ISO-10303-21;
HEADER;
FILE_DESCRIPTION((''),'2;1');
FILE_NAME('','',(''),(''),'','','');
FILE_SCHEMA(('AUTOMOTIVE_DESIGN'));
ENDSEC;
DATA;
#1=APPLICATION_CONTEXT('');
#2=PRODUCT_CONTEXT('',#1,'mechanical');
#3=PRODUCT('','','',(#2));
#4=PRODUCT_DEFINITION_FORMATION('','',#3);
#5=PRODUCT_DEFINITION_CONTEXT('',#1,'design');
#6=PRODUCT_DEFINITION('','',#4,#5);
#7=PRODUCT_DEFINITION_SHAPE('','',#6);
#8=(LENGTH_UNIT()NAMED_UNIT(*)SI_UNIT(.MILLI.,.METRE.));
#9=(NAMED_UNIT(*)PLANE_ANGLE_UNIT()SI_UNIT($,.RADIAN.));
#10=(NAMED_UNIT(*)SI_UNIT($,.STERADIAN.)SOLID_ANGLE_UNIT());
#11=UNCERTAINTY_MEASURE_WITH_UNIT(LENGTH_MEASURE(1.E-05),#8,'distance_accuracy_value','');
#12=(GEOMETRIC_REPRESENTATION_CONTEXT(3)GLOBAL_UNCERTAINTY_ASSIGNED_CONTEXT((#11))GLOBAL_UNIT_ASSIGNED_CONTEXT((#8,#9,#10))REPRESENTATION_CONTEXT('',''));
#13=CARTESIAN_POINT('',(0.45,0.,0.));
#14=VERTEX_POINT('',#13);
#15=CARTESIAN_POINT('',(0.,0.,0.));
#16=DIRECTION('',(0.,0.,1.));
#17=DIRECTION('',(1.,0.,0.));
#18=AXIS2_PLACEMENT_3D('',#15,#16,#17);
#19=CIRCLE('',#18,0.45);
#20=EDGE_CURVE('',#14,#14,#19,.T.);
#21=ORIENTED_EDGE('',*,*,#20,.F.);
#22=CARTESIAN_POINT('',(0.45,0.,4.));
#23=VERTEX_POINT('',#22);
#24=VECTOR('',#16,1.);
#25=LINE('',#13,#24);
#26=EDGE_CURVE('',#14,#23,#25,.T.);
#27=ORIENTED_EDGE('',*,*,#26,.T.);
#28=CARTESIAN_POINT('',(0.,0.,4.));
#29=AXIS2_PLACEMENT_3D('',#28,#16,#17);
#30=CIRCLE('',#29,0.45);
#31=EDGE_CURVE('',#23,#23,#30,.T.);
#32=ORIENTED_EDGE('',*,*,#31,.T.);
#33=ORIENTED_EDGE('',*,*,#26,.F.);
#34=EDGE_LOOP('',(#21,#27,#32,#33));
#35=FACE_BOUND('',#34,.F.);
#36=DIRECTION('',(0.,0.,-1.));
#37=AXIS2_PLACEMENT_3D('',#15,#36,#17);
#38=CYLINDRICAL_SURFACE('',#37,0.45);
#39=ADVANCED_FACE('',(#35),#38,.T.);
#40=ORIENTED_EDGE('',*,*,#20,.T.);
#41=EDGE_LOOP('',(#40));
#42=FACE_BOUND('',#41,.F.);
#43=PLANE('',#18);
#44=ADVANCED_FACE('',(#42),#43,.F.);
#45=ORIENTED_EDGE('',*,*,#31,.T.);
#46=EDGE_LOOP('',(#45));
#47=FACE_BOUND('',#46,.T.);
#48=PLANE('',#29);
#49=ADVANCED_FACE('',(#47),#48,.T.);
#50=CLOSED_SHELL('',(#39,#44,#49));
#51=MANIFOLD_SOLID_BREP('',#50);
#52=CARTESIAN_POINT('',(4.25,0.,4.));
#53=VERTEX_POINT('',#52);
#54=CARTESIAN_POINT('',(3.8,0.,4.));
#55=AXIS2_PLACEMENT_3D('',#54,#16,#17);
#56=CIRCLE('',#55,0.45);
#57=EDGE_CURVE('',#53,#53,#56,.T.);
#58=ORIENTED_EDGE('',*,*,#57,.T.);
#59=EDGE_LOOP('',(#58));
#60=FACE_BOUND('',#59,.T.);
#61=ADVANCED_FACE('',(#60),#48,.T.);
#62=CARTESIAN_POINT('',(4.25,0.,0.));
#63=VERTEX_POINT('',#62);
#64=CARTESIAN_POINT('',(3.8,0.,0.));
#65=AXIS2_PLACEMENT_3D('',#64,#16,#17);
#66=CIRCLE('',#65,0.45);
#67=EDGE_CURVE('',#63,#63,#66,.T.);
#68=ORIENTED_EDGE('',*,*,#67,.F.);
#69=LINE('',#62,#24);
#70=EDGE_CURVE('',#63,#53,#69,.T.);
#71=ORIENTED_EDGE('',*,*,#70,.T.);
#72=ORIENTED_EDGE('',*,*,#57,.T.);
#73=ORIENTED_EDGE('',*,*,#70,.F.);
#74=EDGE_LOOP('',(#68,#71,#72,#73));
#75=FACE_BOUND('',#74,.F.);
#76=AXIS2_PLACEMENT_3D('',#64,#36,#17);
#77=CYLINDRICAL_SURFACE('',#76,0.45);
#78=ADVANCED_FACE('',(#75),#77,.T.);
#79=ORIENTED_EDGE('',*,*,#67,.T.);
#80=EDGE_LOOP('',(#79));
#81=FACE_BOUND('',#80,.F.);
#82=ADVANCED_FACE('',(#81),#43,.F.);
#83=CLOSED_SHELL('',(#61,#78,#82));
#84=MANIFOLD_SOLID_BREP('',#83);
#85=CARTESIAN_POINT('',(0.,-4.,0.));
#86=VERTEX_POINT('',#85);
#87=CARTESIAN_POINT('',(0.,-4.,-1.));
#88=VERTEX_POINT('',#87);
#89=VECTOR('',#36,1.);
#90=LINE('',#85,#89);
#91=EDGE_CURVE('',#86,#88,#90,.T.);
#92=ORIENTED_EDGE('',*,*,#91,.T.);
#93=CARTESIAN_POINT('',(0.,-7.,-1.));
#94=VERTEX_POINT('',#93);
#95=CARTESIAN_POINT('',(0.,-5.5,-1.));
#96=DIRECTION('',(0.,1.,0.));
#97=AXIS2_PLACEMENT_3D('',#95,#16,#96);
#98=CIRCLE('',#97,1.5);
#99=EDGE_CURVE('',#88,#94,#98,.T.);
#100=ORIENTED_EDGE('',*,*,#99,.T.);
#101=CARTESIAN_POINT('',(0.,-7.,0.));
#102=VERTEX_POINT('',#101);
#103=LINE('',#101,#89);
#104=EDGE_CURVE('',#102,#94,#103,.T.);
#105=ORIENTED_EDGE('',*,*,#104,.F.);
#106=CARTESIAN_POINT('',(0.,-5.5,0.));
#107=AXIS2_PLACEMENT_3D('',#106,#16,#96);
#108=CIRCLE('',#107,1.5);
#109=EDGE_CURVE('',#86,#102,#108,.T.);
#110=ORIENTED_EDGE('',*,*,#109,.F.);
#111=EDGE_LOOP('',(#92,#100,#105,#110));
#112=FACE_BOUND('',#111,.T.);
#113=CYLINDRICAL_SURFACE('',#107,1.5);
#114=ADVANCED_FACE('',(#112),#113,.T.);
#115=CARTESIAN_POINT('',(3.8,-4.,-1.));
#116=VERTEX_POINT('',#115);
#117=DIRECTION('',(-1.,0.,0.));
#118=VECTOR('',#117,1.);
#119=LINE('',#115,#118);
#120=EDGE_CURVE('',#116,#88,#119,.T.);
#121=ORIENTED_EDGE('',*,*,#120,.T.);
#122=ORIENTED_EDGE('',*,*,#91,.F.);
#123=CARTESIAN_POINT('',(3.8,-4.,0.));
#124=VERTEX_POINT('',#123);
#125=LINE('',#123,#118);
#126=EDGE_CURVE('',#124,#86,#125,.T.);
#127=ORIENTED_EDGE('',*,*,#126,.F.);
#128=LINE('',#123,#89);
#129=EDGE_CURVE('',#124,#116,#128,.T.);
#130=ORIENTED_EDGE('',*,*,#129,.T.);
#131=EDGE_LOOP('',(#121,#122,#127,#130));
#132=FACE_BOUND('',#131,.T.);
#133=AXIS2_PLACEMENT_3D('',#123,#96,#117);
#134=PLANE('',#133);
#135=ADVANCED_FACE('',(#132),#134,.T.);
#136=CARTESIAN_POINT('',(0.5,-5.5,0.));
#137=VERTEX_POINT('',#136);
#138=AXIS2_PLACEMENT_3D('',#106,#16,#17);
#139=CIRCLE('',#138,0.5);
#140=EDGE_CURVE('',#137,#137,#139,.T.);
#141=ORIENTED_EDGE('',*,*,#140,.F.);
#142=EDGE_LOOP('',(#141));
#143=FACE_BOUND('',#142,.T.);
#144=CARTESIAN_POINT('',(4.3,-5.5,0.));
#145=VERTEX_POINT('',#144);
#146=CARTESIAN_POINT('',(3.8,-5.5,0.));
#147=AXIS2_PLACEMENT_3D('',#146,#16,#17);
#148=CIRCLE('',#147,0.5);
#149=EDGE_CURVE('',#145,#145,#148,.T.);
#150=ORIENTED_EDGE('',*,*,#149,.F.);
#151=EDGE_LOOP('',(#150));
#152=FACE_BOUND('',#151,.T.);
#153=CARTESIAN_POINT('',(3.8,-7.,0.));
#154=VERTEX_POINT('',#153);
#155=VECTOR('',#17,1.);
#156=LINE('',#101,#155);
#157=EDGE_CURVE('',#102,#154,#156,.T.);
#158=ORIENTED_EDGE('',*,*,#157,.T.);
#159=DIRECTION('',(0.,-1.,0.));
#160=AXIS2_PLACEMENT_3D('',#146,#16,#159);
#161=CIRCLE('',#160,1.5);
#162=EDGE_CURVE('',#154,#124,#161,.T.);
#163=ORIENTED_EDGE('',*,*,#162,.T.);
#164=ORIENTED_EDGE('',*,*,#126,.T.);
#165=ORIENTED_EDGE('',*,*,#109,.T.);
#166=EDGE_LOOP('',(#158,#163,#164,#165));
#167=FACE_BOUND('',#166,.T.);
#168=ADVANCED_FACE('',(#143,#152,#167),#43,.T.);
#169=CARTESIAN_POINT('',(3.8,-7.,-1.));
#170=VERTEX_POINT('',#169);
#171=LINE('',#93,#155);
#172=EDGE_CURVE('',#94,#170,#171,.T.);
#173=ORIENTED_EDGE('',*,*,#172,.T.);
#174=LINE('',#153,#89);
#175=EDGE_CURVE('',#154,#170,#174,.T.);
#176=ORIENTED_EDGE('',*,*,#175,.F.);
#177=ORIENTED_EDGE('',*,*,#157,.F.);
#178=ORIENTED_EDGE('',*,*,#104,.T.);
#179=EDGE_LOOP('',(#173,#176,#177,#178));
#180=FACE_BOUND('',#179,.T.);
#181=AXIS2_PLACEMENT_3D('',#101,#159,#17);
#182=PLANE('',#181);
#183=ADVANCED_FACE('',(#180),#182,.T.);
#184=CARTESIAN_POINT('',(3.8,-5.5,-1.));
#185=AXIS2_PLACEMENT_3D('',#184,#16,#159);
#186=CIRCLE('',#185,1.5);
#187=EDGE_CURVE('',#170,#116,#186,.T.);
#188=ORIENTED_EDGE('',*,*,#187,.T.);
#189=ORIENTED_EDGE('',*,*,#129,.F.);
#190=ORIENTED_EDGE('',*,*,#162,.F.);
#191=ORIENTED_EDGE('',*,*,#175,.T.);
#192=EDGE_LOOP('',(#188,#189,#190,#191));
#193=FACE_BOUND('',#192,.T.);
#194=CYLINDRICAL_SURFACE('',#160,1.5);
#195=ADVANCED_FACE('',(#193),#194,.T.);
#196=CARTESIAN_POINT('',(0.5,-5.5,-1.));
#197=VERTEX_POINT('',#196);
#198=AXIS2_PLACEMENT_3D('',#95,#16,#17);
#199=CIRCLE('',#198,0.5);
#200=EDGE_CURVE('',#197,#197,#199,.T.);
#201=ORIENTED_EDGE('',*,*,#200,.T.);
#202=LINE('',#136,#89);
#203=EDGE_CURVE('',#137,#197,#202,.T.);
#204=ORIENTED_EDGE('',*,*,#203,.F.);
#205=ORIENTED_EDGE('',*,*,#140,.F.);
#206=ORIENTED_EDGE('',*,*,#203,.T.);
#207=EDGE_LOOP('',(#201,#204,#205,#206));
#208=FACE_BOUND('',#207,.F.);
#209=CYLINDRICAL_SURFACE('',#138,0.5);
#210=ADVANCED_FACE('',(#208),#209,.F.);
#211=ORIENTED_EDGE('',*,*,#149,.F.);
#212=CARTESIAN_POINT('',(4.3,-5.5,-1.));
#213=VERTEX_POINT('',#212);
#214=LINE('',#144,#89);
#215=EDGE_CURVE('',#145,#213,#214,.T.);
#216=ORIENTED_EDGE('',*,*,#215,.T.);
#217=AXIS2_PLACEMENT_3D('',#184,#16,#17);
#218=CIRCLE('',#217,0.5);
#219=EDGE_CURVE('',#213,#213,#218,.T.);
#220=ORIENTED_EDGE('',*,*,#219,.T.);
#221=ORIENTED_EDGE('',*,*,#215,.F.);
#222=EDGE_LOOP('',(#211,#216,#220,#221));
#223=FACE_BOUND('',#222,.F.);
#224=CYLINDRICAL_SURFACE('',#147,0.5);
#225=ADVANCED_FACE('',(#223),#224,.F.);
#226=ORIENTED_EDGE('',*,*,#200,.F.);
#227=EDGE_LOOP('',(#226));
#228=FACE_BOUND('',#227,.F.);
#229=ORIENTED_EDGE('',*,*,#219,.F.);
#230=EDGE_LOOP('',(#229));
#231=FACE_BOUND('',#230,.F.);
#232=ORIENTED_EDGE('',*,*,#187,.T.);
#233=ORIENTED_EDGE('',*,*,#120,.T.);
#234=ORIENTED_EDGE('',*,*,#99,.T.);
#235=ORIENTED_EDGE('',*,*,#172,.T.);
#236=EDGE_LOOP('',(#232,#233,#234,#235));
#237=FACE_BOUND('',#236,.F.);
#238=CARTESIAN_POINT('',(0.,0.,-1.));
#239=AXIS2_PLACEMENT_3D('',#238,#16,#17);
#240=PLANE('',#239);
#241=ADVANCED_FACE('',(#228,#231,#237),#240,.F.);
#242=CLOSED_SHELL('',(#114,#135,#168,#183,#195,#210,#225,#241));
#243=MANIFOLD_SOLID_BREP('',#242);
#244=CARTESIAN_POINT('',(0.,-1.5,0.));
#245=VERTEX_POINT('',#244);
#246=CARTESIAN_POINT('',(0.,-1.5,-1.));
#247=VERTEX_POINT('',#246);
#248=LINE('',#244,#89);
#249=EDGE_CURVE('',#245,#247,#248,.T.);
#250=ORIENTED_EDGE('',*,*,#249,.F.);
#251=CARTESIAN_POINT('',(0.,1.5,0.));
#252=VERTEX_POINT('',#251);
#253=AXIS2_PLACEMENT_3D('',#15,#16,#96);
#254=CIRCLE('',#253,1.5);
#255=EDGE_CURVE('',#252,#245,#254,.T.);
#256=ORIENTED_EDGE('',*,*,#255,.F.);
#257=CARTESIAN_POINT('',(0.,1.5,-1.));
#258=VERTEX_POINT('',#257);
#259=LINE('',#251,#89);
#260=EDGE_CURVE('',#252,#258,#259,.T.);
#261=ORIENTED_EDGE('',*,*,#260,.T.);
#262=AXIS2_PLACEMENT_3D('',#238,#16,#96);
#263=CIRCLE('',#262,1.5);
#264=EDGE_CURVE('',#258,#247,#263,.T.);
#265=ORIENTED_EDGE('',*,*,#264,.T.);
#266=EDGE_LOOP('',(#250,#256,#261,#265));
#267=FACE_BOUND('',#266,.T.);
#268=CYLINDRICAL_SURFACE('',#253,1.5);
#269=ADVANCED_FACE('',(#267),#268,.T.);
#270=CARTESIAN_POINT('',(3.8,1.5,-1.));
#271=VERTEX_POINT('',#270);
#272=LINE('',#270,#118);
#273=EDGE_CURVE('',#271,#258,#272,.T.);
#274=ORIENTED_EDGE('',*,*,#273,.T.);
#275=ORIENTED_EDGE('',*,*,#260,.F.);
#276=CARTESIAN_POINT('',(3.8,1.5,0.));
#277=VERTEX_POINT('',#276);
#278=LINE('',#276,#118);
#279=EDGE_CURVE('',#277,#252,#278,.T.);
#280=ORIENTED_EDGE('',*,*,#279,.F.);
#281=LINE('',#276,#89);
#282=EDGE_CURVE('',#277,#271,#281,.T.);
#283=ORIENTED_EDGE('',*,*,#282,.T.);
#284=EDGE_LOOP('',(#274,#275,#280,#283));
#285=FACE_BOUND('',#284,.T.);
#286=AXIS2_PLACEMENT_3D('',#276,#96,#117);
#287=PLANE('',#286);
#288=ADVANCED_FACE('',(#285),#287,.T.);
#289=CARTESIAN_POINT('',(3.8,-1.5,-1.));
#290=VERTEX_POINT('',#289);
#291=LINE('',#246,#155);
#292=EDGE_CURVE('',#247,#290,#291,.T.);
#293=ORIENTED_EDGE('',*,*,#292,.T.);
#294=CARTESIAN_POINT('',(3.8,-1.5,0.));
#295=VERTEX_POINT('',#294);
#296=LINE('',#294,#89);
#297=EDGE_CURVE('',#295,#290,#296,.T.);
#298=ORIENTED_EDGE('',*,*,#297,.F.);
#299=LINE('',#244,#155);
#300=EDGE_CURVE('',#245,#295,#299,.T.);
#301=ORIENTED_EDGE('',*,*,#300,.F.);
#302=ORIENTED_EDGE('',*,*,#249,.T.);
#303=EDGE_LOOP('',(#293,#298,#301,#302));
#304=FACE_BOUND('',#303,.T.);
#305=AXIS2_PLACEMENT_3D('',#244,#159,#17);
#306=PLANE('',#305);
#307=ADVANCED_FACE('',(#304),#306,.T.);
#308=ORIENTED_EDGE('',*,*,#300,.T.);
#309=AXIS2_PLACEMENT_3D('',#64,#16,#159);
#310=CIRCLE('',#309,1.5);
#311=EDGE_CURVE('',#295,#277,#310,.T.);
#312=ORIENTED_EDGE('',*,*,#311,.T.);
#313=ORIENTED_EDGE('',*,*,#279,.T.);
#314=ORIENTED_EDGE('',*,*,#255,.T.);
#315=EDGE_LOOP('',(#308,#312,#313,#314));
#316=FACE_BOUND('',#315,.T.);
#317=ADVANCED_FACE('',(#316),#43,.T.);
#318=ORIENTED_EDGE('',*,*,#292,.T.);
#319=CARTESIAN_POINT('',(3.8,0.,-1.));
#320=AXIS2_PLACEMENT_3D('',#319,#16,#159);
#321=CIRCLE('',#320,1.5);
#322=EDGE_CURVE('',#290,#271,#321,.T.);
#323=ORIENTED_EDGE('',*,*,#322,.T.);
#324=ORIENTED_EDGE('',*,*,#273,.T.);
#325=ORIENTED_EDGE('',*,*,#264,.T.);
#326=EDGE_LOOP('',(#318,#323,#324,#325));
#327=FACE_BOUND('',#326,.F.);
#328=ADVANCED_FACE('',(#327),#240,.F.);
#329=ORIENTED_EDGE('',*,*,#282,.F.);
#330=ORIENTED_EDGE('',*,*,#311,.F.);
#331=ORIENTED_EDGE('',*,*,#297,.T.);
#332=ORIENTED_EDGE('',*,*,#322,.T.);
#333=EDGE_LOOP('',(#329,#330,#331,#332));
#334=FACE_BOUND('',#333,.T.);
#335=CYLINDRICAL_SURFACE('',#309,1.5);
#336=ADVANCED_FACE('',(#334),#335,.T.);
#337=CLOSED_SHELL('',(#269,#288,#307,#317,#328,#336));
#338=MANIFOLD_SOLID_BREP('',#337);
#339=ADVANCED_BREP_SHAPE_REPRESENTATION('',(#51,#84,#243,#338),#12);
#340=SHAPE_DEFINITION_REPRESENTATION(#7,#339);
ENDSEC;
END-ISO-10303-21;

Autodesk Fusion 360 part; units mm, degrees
sketch "Sketch1" plane through (0, 0, 0) normal (0, 0, 1) x (1, 0, 0)
  line L0 (0, -1.5) -> (3.8, -1.5)
  arc A0 (3.8, -1.5) -> (3.8, 1.5) centre (3.8, 0) ccw
  line L1 (3.8, 1.5) -> (0, 1.5)
  arc A1 (0, 1.5) -> (0, -1.5) centre (0, 0) ccw
  line L2 (0, 0) -> (3.8, 0) construction
  circle A2 centre (0, 0) radius 0.45
  circle A3 centre (3.8, 0) radius 0.45
  line L3 (0, -7) -> (3.8, -7)
  arc A4 (3.8, -7) -> (3.8, -4) centre (3.8, -5.5) ccw
  line L4 (3.8, -4) -> (0, -4)
  arc A5 (0, -4) -> (0, -7) centre (0, -5.5) ccw
  line L5 (0, -5.5) -> (3.8, -5.5) construction
  circle A6 centre (0, -5.5) radius 0.5
  circle A7 centre (3.8, -5.5) radius 0.5
  dimension "d1" = 3
  dimension "d2" = 0.9
  dimension "d3" = 0.9
  dimension "d8" = 3
  dimension "d9" = 1
  dimension "d10" = 1
extrude "Extrude1" add sketch "Sketch1" along normal blind 4 contours A2 | A3 makes body 1 at (0.4494, -0.0224, 2.6667) makes body 2 at (4.2494, -0.0224, 2.6667)
extrude "Extrude2" add sketch "Sketch1" against normal blind 1 separate body contours L0 A0 L1 A1 | A2 | A3 makes body 3
extrude "Extrude3" add sketch "Sketch1" against normal blind 1 separate body contours L3 A4 L4 A5 makes body 4
